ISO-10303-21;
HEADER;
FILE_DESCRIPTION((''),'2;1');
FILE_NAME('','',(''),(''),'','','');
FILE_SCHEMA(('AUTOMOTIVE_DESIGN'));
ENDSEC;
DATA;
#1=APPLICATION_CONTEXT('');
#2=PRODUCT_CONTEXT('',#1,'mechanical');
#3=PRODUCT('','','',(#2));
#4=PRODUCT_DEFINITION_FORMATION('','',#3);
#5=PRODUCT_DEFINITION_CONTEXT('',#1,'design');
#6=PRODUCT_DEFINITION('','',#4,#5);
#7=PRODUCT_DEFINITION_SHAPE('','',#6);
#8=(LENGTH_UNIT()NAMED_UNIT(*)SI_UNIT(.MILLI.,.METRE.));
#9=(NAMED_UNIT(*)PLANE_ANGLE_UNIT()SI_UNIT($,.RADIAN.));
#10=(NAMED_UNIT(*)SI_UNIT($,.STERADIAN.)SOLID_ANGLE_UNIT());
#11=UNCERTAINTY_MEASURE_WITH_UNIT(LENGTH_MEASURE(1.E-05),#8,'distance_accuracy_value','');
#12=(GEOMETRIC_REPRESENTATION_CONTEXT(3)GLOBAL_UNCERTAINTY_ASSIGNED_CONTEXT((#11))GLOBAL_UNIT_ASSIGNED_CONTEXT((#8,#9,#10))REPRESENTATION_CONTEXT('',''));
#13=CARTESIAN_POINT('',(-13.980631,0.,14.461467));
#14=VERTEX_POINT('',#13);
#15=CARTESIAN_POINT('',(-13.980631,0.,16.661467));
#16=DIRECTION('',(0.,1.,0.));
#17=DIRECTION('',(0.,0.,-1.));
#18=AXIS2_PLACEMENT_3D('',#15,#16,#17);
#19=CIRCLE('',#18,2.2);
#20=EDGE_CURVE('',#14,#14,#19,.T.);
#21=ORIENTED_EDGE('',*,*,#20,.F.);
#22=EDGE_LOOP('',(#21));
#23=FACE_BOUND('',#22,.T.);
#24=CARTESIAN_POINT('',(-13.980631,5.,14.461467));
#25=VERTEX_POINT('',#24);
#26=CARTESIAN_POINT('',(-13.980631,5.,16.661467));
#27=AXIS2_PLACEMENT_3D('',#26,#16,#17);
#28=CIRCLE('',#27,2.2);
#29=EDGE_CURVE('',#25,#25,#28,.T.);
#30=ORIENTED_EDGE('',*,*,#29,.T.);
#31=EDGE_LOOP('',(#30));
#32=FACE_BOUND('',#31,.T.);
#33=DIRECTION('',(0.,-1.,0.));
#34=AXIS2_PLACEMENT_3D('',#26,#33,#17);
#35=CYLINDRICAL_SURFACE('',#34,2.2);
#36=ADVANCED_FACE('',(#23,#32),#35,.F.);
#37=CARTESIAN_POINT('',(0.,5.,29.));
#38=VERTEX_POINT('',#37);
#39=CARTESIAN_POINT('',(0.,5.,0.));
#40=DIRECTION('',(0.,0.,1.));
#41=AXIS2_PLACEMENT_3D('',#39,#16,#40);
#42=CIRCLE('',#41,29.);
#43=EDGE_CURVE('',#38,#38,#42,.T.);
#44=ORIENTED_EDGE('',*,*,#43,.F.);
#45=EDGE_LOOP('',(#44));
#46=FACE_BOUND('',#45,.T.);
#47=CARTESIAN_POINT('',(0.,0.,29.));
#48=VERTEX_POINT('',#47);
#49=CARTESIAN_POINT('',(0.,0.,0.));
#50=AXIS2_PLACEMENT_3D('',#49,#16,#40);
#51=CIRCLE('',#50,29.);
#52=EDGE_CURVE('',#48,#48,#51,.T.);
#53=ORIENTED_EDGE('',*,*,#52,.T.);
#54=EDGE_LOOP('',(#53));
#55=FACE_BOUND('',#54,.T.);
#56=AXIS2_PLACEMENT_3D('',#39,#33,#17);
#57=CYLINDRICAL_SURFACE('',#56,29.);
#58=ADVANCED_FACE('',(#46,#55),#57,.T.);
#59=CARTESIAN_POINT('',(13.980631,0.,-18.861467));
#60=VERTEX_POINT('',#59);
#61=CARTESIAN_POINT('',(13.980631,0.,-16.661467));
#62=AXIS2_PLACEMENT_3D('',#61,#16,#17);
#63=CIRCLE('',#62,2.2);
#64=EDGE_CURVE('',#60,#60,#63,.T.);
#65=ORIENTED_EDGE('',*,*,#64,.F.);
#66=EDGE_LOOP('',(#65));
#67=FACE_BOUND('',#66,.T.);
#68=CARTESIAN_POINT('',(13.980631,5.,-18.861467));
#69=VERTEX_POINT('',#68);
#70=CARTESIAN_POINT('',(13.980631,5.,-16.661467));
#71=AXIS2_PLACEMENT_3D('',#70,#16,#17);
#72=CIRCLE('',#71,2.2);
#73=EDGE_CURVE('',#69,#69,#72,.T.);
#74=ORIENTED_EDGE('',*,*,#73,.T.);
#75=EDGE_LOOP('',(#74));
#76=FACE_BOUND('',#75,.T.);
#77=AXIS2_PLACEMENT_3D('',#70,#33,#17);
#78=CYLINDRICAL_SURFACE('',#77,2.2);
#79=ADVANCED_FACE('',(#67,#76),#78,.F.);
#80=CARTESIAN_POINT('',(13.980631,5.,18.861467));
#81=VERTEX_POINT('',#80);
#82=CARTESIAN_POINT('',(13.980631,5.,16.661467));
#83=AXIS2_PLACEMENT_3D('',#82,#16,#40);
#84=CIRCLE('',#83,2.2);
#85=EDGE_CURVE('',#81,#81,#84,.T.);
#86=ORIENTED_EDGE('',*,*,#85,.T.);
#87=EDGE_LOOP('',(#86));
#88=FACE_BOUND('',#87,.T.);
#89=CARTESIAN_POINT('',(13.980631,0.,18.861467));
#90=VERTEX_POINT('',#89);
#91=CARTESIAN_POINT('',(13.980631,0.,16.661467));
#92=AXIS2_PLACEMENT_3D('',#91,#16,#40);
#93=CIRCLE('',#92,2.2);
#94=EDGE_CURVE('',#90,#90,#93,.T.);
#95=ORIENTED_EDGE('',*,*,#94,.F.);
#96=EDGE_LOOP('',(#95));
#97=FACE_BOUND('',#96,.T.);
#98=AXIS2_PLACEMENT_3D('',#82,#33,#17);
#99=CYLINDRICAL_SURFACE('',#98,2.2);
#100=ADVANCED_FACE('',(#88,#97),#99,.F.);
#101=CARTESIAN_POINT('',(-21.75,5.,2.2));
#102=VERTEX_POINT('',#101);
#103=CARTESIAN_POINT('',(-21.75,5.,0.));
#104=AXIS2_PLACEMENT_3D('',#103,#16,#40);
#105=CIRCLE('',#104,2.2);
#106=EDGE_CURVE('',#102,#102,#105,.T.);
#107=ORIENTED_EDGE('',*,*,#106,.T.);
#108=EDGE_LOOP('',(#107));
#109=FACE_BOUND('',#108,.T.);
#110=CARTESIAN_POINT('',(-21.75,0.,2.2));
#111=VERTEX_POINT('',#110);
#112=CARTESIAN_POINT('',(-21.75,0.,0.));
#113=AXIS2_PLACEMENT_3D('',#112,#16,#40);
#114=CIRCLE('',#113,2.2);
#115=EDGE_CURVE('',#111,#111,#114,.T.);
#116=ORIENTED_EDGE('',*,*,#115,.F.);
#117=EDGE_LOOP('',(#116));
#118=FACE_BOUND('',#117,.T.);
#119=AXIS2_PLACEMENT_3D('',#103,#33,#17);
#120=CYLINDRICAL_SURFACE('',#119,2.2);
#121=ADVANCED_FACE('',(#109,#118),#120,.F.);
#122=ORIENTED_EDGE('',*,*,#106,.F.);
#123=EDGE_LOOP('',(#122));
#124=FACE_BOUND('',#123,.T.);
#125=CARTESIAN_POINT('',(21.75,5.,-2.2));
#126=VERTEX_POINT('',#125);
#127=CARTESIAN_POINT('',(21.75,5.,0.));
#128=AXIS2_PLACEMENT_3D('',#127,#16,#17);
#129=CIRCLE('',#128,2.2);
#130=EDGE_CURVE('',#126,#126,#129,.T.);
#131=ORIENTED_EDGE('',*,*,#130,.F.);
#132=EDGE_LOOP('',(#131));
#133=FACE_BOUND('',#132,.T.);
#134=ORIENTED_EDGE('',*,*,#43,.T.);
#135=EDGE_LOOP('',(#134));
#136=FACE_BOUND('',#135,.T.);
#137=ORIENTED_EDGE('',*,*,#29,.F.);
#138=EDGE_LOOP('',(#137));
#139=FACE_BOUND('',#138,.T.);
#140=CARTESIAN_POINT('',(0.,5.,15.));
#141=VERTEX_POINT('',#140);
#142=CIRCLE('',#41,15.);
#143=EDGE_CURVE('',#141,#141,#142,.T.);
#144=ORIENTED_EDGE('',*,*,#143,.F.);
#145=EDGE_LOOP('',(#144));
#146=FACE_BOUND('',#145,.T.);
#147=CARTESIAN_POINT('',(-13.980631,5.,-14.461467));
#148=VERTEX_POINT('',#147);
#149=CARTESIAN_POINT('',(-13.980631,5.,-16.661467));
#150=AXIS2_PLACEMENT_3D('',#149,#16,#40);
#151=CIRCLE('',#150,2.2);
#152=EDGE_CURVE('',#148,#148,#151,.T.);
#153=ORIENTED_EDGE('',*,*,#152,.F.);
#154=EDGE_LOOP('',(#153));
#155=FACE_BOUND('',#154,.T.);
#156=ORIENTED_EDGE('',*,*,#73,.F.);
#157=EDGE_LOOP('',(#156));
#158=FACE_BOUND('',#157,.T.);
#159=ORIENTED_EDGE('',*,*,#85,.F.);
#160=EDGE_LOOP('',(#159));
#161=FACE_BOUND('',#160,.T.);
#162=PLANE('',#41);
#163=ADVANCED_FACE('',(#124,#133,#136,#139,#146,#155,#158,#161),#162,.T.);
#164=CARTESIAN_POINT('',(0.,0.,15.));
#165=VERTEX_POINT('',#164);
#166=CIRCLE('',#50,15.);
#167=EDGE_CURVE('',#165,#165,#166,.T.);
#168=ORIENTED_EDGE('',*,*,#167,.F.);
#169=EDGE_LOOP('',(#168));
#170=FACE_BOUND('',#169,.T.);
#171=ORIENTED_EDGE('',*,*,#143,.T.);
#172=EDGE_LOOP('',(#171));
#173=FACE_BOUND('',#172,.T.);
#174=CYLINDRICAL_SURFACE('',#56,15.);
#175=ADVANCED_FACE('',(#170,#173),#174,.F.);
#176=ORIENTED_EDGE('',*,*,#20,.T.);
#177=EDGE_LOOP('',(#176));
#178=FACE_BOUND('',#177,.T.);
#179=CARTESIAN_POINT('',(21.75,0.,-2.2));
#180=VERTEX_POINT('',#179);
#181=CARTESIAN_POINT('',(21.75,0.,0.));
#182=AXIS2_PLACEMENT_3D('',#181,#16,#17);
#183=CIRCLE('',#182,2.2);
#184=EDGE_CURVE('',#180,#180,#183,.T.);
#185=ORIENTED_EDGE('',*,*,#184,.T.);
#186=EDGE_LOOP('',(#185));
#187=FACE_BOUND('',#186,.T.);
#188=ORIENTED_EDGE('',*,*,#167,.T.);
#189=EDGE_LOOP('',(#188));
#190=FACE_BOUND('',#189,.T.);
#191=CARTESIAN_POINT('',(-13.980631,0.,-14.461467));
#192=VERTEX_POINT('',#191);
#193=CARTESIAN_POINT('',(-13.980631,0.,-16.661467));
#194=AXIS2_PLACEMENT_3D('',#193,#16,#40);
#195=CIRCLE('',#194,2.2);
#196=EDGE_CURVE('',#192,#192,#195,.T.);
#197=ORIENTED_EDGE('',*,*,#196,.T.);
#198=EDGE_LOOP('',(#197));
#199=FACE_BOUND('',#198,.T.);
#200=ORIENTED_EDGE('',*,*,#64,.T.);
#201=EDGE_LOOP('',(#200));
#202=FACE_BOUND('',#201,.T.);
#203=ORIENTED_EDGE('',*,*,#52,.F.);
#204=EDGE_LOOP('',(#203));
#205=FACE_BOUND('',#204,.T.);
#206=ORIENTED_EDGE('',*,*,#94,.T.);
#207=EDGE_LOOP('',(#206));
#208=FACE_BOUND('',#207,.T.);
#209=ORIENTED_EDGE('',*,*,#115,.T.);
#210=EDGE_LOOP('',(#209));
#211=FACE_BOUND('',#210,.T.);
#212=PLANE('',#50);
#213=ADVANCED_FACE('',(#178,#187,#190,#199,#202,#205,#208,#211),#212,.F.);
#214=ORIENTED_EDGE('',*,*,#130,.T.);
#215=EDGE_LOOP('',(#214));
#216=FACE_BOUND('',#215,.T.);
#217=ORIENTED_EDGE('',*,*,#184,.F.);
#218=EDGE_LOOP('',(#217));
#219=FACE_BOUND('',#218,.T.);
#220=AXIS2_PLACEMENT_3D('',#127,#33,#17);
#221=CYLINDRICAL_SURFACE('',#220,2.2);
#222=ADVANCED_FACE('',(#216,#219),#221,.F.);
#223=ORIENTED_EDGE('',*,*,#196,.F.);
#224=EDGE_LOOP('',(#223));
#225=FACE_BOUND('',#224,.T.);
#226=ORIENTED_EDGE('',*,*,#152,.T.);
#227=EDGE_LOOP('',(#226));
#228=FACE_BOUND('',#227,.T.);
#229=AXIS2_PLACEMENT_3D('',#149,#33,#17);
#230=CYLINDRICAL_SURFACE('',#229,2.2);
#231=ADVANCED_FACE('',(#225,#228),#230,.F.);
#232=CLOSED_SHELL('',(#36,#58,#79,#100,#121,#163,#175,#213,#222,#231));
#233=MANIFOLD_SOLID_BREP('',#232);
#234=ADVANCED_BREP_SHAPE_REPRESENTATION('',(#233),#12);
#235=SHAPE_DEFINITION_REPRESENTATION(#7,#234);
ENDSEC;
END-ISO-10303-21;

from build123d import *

# Parameters (mm, degrees)
SKETCH_1_R      = 29
SKETCH_1_R_2    = 15
SKETCH_1_R_3    = 2.2
EXTRUDE_1_DEPTH = 5


with BuildPart() as part:
    # 草图1 → 凸台-拉伸1 (new body)
    with BuildSketch(Plane(origin=(0, 0, 0), x_dir=(1, 0, 0), z_dir=(0, 1, 0))):
        Circle(SKETCH_1_R)
        Circle(SKETCH_1_R_2, mode=Mode.SUBTRACT)
        with Locations((-13.980630511, 16.661466638)):
            Circle(SKETCH_1_R_3, mode=Mode.SUBTRACT)
        with Locations((13.980630511, 16.661466638)):
            Circle(SKETCH_1_R_3, mode=Mode.SUBTRACT)
        with Locations((-21.75, 0)):
            Circle(SKETCH_1_R_3, mode=Mode.SUBTRACT)
        with Locations((21.75, 0)):
            Circle(SKETCH_1_R_3, mode=Mode.SUBTRACT)
        with Locations((13.980630511, -16.661466638)):
            Circle(SKETCH_1_R_3, mode=Mode.SUBTRACT)
        with Locations((-13.980630511, -16.661466638)):
            Circle(SKETCH_1_R_3, mode=Mode.SUBTRACT)
    extrude(amount=EXTRUDE_1_DEPTH)


solid = part.part
